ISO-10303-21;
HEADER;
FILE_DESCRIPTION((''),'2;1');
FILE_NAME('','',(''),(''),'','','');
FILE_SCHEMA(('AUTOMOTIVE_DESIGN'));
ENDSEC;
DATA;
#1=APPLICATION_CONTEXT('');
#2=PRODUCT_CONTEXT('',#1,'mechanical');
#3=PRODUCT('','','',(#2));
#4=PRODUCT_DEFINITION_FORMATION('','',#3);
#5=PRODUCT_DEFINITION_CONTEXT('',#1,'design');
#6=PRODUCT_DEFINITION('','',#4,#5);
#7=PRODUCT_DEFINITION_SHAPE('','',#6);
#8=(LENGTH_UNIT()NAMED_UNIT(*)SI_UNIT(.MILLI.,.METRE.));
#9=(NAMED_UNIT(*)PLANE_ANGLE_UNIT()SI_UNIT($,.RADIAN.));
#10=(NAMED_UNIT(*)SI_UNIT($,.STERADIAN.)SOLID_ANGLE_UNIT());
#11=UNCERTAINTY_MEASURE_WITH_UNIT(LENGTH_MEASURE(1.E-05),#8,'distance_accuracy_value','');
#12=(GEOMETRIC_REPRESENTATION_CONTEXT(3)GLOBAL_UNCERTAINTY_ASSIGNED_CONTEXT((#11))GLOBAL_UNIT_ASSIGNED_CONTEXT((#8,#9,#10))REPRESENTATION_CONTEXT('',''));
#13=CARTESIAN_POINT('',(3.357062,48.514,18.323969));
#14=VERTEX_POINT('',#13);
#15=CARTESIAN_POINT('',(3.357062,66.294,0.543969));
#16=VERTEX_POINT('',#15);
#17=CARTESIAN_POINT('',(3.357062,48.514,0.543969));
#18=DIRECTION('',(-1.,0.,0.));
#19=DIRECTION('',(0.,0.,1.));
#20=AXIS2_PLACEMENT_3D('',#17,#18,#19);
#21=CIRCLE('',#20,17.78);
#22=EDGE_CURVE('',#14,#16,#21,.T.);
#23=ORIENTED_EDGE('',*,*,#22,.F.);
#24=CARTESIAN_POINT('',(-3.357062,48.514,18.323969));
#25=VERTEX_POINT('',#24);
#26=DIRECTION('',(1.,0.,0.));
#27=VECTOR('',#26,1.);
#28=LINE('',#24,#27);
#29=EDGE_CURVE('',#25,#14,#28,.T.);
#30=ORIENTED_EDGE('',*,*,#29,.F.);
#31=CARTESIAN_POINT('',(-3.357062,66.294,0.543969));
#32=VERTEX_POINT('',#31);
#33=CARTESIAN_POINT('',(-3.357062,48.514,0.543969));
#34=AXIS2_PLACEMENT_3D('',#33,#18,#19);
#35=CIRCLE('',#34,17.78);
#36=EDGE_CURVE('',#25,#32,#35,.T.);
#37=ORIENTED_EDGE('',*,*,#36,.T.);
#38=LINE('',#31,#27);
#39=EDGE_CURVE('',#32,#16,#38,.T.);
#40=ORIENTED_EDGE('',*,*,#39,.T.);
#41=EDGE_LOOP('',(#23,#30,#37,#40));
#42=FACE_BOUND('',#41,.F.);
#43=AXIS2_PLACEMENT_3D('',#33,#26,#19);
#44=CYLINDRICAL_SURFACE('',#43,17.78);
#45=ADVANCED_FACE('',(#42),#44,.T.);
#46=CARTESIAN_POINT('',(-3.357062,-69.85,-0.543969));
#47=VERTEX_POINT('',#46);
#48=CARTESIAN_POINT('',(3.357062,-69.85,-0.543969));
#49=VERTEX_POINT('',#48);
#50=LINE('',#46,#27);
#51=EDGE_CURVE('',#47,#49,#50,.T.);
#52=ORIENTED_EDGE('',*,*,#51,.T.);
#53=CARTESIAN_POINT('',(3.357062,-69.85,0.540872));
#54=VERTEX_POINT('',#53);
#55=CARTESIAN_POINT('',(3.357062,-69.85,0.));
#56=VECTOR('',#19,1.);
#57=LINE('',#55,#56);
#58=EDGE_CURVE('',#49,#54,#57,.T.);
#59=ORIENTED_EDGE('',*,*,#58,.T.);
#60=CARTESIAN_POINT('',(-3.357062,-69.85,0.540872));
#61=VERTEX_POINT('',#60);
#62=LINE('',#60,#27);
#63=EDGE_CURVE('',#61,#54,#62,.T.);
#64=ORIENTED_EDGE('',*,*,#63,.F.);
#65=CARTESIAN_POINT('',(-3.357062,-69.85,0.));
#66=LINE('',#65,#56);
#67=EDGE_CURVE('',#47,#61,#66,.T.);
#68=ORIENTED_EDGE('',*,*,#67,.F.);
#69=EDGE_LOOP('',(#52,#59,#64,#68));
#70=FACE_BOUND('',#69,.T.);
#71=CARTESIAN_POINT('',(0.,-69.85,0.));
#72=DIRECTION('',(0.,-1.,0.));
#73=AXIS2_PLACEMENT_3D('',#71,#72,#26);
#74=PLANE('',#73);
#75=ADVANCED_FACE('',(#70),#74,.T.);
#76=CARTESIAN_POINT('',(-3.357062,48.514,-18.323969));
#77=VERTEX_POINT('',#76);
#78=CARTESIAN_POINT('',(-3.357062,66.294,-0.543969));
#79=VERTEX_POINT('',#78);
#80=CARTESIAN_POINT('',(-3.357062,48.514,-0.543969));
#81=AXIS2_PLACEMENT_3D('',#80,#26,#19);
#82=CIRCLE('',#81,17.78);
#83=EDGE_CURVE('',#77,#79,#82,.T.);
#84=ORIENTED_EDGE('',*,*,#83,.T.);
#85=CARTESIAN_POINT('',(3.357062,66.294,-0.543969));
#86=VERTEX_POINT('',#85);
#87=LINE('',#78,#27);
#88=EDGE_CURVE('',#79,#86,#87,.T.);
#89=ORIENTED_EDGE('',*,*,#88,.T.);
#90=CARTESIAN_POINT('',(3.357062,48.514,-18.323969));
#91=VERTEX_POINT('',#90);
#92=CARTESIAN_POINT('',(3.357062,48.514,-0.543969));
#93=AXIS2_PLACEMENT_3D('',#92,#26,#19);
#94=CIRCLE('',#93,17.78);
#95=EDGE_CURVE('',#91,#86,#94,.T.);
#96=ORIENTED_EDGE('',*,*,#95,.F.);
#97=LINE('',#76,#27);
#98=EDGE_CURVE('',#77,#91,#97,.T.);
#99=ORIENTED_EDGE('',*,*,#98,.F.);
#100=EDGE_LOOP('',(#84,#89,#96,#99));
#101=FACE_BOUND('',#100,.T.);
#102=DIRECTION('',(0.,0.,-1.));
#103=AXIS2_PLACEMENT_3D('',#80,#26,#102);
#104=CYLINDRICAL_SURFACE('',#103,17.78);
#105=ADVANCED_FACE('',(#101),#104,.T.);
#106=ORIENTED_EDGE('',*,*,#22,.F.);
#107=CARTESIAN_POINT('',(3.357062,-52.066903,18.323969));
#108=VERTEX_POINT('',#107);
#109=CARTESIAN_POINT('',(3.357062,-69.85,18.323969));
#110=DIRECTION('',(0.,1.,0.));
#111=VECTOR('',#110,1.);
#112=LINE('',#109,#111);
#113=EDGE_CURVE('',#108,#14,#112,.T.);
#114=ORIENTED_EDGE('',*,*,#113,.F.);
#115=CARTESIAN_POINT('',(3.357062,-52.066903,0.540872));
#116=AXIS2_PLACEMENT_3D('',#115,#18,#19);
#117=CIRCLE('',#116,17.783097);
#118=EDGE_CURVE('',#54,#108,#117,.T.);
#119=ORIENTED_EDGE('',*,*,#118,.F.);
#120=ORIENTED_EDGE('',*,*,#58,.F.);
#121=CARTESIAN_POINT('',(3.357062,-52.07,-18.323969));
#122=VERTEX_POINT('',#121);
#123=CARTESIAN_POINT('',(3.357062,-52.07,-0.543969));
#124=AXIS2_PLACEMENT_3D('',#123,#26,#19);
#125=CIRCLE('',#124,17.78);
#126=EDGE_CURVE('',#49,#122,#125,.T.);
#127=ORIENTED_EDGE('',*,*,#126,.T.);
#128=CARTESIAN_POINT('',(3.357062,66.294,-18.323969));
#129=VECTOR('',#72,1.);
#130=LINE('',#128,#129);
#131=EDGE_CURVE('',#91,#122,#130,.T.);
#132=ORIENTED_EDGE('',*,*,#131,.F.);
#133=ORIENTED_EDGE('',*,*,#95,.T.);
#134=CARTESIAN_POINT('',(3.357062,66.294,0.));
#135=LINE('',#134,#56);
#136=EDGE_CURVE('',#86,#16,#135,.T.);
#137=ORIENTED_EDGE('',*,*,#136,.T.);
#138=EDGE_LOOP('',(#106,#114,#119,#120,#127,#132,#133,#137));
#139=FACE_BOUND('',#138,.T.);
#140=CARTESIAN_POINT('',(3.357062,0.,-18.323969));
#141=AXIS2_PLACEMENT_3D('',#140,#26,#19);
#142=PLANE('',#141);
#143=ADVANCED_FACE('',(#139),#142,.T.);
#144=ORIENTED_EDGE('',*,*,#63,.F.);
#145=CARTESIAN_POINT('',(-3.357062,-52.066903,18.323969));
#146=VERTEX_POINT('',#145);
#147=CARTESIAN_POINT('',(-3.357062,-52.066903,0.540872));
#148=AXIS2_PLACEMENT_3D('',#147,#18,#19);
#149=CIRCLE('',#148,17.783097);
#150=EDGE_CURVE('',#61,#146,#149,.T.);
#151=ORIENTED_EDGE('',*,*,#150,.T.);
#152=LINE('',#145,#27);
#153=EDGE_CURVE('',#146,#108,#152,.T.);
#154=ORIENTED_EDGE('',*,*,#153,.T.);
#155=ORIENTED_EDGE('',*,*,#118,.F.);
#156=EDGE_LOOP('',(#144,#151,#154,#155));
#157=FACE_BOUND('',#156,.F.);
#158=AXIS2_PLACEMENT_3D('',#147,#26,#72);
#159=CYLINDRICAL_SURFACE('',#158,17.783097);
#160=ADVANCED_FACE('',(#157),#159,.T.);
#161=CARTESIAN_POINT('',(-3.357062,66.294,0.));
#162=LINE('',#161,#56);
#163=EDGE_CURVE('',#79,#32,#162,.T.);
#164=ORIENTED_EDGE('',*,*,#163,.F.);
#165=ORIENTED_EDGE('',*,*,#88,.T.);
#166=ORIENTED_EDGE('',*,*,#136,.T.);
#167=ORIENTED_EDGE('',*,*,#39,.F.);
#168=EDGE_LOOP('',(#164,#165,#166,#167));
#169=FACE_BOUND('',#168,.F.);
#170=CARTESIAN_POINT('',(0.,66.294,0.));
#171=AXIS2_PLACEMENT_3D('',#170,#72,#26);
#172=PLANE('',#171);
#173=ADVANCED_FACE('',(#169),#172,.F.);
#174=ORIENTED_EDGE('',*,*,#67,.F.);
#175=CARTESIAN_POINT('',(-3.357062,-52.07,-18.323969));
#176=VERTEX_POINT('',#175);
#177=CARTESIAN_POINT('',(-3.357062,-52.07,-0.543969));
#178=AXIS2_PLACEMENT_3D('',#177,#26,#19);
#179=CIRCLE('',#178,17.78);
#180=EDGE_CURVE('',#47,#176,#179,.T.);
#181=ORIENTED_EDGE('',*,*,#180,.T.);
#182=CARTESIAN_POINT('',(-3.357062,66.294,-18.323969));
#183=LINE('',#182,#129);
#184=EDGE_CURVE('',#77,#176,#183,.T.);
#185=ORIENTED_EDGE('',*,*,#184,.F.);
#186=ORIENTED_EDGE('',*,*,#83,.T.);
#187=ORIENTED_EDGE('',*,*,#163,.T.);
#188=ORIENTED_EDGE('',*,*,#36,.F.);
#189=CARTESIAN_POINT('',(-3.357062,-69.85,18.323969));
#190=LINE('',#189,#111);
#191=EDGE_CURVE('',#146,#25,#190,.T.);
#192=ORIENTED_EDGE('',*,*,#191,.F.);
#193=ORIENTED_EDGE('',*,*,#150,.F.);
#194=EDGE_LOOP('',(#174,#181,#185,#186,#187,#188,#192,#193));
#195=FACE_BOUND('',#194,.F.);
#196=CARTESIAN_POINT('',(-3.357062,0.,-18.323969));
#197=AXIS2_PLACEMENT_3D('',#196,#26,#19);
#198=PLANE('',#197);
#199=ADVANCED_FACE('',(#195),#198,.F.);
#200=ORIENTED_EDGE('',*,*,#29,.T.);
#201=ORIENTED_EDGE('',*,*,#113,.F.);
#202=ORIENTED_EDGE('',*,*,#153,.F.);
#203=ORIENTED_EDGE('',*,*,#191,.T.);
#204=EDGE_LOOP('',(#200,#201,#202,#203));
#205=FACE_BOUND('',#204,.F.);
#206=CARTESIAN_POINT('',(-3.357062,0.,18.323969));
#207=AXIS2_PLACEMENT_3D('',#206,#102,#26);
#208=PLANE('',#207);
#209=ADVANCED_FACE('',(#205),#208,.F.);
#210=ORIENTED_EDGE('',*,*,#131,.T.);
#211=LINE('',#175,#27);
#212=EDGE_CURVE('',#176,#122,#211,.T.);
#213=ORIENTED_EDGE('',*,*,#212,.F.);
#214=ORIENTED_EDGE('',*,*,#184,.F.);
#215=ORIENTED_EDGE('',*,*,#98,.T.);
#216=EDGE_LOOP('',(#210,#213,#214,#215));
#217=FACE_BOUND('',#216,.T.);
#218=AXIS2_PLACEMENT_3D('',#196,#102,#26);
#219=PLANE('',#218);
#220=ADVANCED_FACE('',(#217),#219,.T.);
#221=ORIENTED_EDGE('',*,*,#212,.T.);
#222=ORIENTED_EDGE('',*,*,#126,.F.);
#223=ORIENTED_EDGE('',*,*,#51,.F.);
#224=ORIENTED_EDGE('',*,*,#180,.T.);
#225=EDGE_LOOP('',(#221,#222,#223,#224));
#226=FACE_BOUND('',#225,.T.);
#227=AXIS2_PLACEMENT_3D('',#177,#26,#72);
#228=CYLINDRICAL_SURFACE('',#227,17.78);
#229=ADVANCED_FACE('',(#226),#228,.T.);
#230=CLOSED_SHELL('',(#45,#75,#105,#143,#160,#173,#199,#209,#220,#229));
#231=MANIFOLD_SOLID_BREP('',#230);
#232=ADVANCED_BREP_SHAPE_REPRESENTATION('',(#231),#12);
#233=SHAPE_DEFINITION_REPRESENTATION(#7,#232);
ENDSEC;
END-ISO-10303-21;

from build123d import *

# Parameters (mm, degrees)
F0_W          = 6.714124
F0_H          = 36.647938
F1_DEPTH      = 69.85
F1_DEPTH_BACK = 66.294
F2_R          = 17.783097
F3_R          = 17.78
F4_R          = 17.78


with BuildPart() as f1:
    # F0 (on Front) → F1 (new body, two sides)
    with BuildSketch(Plane.XZ) as f1_sk:
        Rectangle(F0_W, F0_H)
    extrude(amount=F1_DEPTH)
    extrude(f1_sk.sketch, amount=-F1_DEPTH_BACK)

    # F2
    f2_edges = [f1.edges().sort_by_distance(p)[0] for p in [
        (0, -69.85, 18.323969),
    ]]
    fillet(f2_edges, radius=F2_R)

    # F3
    f3_edges = [f1.edges().sort_by_distance(p)[0] for p in [
        (0, -69.85, -18.323969),
    ]]
    fillet(f3_edges, radius=F3_R)

    # F4
    f4_edges = [f1.edges().sort_by_distance(p)[0] for p in [
        (0, 66.294, -18.323969),
        (0, 66.294, 18.323969),
    ]]
    fillet(f4_edges, radius=F4_R)


solid = f1.part
